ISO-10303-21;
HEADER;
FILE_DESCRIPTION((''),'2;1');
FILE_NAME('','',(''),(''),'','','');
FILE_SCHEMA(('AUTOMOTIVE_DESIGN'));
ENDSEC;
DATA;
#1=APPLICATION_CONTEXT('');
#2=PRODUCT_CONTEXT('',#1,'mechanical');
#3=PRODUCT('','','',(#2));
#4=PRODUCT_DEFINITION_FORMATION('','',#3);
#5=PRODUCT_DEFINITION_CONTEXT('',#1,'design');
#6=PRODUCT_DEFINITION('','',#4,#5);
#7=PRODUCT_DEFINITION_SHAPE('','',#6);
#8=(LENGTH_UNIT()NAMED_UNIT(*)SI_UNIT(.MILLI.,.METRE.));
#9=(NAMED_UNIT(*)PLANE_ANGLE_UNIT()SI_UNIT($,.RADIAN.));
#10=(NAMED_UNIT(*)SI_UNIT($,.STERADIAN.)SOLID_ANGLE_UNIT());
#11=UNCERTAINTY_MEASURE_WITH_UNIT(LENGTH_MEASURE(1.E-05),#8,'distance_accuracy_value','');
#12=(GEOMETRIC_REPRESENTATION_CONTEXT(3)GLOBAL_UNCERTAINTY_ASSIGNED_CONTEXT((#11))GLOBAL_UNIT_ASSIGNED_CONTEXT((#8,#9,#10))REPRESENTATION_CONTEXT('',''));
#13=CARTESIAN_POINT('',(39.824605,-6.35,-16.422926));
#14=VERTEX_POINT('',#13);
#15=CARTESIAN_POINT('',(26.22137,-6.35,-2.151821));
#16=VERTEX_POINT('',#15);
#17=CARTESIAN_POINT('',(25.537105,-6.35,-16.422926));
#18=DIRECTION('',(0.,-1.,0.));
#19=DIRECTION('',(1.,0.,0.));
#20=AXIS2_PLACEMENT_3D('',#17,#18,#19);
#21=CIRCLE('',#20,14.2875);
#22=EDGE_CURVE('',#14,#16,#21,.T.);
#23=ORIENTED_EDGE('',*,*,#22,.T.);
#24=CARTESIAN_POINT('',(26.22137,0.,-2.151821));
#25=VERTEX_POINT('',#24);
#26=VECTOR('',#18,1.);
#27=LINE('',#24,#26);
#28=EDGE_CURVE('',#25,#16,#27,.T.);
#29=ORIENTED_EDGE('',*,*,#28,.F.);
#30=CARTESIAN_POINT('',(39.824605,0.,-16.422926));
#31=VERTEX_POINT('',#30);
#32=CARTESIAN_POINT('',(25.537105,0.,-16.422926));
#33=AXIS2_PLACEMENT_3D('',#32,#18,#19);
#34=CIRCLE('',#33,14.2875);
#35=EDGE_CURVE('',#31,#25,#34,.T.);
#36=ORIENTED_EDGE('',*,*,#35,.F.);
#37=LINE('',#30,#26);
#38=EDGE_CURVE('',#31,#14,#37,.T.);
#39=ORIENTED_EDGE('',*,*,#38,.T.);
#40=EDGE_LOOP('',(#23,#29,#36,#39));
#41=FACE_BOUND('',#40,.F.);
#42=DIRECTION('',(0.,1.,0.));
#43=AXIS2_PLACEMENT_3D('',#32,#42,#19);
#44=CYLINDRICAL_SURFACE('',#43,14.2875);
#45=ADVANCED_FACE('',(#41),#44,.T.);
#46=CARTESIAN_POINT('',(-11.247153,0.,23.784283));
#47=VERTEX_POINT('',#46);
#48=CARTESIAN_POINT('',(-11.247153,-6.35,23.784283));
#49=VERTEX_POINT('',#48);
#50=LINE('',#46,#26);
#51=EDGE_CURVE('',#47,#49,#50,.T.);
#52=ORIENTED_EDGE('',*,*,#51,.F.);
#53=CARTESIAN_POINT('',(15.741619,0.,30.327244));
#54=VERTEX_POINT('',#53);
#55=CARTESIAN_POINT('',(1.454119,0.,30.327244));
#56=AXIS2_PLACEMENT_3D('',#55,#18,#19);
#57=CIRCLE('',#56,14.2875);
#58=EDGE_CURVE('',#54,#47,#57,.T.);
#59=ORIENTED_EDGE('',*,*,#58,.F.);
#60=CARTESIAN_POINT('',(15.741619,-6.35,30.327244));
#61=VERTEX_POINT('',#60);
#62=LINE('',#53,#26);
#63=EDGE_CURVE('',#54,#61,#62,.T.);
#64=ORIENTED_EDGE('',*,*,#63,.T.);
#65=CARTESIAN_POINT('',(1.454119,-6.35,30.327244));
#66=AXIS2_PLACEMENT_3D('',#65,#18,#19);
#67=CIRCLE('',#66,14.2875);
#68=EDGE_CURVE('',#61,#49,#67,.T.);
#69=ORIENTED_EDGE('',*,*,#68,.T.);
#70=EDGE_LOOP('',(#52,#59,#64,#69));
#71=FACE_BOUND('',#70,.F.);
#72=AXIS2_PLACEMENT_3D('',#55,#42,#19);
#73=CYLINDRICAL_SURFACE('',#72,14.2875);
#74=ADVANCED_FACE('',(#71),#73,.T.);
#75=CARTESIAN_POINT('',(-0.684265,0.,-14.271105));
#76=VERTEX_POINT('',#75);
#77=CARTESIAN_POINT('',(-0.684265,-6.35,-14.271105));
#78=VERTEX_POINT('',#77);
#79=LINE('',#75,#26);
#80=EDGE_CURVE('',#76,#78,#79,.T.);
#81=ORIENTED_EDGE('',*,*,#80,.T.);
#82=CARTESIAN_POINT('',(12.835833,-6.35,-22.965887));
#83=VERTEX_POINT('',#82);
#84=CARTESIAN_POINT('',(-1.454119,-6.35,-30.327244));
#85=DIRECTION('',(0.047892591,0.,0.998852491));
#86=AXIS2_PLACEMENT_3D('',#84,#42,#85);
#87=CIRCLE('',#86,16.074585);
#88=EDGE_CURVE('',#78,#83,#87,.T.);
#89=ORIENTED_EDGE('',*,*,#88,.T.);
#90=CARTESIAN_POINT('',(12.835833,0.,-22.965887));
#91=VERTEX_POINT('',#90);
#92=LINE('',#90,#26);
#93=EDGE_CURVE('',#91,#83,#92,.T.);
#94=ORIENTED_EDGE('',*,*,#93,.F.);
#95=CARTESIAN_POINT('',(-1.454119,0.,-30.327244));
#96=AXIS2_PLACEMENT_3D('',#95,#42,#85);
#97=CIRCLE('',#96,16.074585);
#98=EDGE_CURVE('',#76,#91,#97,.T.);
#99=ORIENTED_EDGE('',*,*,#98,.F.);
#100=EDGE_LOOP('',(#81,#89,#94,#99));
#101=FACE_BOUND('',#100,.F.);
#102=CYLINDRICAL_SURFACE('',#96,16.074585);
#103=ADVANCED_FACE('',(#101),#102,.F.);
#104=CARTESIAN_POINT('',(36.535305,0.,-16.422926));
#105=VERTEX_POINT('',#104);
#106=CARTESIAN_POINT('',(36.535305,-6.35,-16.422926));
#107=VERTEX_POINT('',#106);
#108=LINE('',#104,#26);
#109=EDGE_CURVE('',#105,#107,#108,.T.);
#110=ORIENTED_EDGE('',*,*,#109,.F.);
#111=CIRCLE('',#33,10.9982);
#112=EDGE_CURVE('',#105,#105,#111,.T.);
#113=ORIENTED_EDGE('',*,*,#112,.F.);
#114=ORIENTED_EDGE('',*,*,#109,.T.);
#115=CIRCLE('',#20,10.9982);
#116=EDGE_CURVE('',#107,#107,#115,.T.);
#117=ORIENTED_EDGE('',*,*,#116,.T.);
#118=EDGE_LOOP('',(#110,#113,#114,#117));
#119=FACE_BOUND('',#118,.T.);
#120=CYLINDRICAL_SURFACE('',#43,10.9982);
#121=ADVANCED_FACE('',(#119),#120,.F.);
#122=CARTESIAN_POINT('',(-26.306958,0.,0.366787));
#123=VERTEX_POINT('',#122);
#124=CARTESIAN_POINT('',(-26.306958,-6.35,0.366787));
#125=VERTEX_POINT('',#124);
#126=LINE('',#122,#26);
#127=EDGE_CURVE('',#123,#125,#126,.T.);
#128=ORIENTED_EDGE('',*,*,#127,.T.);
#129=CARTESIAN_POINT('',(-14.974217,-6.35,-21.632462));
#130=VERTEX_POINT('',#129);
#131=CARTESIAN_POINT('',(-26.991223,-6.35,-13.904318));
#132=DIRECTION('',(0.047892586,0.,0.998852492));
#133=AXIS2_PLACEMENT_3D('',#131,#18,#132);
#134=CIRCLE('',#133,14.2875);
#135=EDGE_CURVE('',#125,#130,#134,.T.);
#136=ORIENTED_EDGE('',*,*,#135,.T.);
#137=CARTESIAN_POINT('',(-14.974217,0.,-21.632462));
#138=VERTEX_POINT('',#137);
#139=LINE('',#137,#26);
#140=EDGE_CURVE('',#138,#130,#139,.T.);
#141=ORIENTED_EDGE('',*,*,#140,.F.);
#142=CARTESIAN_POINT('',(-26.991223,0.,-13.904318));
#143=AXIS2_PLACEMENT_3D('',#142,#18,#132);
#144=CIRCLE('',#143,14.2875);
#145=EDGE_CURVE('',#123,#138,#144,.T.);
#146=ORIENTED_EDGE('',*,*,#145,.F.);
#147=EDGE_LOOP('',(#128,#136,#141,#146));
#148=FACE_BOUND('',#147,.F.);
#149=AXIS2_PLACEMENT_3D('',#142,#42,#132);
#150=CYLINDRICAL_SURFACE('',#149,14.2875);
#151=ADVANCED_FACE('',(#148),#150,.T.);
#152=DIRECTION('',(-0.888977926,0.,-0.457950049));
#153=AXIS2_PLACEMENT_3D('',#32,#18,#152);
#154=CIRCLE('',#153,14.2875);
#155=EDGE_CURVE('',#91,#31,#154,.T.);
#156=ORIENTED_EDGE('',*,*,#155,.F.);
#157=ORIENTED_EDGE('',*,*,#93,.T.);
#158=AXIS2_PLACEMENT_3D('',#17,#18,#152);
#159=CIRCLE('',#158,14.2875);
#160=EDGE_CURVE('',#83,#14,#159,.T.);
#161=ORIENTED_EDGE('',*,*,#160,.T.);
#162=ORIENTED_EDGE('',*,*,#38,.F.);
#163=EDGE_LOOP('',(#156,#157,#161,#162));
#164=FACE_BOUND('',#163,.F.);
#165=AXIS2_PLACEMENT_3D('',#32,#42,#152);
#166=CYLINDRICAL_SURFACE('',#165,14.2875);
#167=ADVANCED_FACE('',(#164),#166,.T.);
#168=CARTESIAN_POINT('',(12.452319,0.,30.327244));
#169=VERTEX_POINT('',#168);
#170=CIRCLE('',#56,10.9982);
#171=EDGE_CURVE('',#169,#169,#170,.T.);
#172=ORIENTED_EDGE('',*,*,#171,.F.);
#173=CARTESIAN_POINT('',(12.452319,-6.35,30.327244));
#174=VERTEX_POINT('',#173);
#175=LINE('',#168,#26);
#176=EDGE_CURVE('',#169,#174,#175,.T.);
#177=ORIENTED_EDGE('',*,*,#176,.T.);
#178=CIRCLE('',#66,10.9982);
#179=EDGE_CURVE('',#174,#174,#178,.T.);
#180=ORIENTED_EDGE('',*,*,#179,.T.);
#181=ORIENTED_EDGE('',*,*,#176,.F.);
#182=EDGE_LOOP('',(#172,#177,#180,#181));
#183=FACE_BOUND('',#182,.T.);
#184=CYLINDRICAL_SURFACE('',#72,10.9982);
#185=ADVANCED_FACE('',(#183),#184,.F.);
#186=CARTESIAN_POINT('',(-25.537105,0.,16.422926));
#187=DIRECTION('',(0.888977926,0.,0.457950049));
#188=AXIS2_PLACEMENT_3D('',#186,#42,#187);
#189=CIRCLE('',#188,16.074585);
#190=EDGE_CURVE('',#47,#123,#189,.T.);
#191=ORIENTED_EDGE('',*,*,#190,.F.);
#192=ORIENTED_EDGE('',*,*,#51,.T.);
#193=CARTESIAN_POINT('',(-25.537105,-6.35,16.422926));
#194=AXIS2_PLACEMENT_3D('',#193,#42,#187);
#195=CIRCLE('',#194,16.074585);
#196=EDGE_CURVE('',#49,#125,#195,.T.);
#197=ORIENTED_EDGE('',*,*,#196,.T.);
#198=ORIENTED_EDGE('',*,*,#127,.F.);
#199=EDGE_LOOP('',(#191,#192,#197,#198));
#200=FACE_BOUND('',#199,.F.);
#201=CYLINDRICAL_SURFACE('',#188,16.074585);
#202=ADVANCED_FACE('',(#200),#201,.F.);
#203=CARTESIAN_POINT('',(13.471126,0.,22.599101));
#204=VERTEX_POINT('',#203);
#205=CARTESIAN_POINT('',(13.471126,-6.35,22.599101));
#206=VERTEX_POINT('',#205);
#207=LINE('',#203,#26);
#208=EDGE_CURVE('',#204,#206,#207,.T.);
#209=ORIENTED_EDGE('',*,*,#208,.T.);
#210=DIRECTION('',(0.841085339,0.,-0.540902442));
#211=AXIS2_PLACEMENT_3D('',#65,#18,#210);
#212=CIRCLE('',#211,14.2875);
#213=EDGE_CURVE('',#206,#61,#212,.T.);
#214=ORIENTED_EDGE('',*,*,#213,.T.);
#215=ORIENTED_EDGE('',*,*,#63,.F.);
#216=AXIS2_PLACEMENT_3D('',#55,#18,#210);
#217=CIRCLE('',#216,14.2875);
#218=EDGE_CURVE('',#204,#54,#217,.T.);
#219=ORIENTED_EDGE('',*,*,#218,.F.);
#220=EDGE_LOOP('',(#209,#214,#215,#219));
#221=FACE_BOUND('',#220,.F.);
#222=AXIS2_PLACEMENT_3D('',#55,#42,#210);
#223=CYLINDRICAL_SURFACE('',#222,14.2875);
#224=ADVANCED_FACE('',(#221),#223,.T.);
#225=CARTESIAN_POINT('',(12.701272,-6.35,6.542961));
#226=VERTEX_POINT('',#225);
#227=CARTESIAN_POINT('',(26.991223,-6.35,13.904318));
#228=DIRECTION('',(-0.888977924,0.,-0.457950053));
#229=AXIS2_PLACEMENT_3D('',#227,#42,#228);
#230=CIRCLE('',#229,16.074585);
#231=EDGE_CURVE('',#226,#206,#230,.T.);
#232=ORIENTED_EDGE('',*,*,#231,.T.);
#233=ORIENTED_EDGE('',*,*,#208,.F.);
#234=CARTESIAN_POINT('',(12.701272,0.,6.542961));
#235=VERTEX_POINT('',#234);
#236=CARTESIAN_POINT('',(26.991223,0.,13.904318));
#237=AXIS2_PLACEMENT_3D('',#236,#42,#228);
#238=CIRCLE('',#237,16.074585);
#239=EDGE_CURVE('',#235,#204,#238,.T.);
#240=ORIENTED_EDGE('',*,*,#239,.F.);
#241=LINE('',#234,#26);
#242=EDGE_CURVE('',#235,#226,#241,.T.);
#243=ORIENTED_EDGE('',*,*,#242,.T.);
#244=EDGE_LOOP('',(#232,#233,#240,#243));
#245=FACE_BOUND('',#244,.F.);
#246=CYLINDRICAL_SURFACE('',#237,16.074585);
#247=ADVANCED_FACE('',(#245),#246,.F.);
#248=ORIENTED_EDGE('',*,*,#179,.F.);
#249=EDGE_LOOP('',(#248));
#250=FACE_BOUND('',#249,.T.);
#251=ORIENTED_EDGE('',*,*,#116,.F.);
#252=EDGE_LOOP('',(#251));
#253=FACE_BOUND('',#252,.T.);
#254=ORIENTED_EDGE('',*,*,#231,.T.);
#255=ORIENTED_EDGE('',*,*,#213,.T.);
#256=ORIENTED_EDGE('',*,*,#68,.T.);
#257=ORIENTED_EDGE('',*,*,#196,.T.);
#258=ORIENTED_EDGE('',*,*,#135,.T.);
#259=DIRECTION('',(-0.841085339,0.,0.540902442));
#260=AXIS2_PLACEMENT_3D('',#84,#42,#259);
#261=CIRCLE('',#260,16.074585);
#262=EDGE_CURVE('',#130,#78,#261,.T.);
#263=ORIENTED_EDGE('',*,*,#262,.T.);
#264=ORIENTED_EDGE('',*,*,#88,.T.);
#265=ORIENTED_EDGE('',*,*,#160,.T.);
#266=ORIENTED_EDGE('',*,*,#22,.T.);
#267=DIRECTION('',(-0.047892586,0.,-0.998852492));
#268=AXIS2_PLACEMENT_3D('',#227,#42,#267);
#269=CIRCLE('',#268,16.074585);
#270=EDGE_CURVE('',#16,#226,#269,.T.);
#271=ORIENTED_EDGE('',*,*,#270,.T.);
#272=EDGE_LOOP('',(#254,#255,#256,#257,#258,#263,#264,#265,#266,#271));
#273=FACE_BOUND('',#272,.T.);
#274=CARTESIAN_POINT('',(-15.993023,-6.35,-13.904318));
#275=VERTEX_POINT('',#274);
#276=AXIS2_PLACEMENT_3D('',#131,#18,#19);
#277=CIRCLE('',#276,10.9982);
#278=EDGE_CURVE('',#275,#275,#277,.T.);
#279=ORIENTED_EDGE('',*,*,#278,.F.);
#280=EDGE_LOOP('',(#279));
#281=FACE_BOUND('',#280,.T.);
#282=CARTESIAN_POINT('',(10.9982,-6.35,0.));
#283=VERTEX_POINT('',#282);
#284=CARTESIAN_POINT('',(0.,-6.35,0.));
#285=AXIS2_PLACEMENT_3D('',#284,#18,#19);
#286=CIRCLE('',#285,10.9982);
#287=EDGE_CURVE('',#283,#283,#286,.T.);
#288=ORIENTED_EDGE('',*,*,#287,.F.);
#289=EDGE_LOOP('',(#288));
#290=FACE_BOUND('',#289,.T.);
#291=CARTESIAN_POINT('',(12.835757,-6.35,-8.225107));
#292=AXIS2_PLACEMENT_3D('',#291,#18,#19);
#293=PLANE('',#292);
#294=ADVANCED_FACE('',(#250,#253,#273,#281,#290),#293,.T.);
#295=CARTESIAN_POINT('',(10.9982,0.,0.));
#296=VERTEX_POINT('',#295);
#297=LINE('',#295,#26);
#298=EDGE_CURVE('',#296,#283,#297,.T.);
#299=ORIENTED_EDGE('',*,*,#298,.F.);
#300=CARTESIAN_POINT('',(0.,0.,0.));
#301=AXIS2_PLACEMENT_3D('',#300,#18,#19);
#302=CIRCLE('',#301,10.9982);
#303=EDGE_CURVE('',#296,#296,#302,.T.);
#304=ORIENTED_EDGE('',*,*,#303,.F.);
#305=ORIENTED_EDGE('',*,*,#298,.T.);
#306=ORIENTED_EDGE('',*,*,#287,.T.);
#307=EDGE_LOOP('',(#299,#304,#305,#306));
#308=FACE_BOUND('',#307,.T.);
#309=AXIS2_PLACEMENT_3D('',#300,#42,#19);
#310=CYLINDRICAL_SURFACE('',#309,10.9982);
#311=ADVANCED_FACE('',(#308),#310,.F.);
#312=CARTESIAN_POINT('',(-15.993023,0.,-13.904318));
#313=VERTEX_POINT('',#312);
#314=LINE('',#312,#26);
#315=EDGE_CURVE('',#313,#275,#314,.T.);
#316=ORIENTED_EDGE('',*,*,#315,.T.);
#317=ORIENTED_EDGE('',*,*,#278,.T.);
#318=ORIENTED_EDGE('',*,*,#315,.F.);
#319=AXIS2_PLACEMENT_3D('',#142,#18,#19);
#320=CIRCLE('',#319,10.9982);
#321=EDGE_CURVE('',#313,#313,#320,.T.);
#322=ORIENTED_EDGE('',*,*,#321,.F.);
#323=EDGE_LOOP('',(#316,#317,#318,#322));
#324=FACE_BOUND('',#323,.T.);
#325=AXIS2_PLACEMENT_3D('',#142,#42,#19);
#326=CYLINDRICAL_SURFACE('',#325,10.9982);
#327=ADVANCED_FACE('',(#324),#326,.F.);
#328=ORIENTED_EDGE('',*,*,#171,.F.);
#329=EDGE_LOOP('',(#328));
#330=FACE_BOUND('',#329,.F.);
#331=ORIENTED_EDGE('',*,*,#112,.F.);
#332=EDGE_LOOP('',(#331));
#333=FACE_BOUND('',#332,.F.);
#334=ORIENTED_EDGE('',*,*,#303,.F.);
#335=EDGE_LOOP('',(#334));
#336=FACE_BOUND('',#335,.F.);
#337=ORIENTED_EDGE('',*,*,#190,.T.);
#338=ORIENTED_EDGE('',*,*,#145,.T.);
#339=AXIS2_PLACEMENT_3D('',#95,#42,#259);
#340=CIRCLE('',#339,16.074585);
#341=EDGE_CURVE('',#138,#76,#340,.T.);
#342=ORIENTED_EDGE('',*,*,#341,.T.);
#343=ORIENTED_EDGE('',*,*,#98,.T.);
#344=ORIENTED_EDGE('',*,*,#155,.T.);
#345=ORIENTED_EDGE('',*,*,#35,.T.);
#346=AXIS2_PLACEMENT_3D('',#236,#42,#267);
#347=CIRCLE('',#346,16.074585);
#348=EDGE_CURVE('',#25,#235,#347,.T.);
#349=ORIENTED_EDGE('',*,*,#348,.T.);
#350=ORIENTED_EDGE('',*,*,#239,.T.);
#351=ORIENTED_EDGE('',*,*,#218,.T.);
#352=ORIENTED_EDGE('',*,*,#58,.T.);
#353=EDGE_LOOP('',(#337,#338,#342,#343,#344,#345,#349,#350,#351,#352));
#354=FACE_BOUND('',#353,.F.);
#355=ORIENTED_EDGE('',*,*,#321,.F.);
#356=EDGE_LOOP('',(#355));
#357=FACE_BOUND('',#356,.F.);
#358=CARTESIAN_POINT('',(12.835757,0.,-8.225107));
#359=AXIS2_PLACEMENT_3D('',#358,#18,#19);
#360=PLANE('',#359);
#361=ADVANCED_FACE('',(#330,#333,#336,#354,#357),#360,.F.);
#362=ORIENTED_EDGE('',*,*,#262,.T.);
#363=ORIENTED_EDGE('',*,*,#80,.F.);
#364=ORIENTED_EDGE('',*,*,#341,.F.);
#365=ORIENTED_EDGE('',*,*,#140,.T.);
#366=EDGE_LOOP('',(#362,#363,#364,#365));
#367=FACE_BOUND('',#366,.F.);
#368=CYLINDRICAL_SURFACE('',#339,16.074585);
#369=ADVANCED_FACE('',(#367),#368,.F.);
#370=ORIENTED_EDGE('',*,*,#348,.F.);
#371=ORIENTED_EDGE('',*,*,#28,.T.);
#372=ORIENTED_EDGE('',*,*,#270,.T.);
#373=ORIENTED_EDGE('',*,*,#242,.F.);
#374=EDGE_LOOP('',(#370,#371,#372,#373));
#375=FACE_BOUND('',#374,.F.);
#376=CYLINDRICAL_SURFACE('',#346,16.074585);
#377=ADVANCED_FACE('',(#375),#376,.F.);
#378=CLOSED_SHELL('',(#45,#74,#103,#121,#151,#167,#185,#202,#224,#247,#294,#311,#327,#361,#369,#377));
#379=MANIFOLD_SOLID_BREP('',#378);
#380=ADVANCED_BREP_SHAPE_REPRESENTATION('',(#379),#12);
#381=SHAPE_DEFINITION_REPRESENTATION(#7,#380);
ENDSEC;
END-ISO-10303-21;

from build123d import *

# Parameters (mm, degrees)
F0_R     = 10.9982
F1_DEPTH = 6.35


with BuildPart() as f1:
    # F0 (on Front) → F1 (new body)
    with BuildSketch(Plane.XZ):
        with BuildLine():
            ThreePointArc((12.7012721412, 6.542961275), (13.8852814514, 3.3662464655), (14.2875, 0))
            ThreePointArc((14.2875, 0), (9.8578957303, -10.3418831951), (-0.6842652522, -14.2711049788))
            ThreePointArc((-0.6842652522, -14.2711049788), (7.240663618, -16.8071465228), (12.8358325851, -22.965887347))
            ThreePointArc((12.8358325851, -22.965887347), (13.5200979128, -8.6947823719), (26.2213700252, -2.151821041))
            ThreePointArc((26.2213700252, -2.151821041), (18.2964411378, 0.3842204693), (12.7012721412, 6.542961275))
        make_face()
        with BuildLine():
            ThreePointArc((-14.9742166985, -21.6324620433), (-8.8154758203, -16.0372930271), (-0.6842652522, -14.2711049788))
            ThreePointArc((-0.6842652522, -14.2711049788), (-12.7012721174, -6.5429613211), (-12.0170067319, 7.7281437263))
            ThreePointArc((-12.0170067319, 7.7281437263), (-18.1757475859, 2.1329746676), (-26.3069581555, 0.366786576))
            ThreePointArc((-26.3069581555, 0.366786576), (-16.649340262, -4.0464226961), (-12.7037234832, -13.9043183991))
            ThreePointArc((-12.7037234832, -13.9043183991), (-13.283093766, -17.9317041401), (-14.9742166985, -21.6324620433))
        make_face()
        with BuildLine():
            ThreePointArc((-12.0170067319, 7.7281437263), (0.6842654078, 14.2711049713), (12.7012721412, 6.542961275))
            ThreePointArc((12.7012721412, 6.542961275), (10.9350840416, 14.6741718257), (13.4711255704, 22.5991007709))
            ThreePointArc((13.4711255704, 22.5991007709), (0.769853458, 16.0561394401), (-11.2471533267, 23.7842830843))
            ThreePointArc((-11.2471533267, 23.7842830843), (-9.4809652551, 15.6530726068), (-12.0170067319, 7.7281437263))
        make_face()
        with BuildLine():
            ThreePointArc((39.8246046975, -16.4229260161), (35.8789879186, -6.5650303131), (26.2213700252, -2.151821041))
            ThreePointArc((26.2213700252, -2.151821041), (13.5200979128, -8.6947823719), (12.8358325851, -22.965887347))
            ThreePointArc((12.8358325851, -22.965887347), (28.9033511936, -30.3082074601), (39.8246046975, -16.4229260161))
        make_face()
        with Locations((25.5371046975, -16.4229260161)):
            Circle(F0_R, mode=Mode.SUBTRACT)
        with BuildLine():
            ThreePointArc((-11.2471533267, 23.7842830843), (0.769853458, 16.0561394401), (13.4711255704, 22.5991007709))
            ThreePointArc((13.4711255704, 22.5991007709), (15.1622485029, 26.2998586742), (15.7416187857, 30.3272444152))
            ThreePointArc((15.7416187857, 30.3272444152), (-1.9121277104, 44.2125258591), (-11.2471533267, 23.7842830843))
        make_face()
        with Locations((1.4541187857, 30.3272444152)):
            Circle(F0_R, mode=Mode.SUBTRACT)
        with BuildLine():
            ThreePointArc((-0.6842652522, -14.2711049788), (9.8578957303, -10.3418831951), (14.2875, 0))
            ThreePointArc((14.2875, 0), (13.8852814514, 3.3662464655), (12.7012721412, 6.542961275))
            ThreePointArc((12.7012721412, 6.542961275), (0.6842654078, 14.2711049713), (-12.0170067319, 7.7281437263))
            ThreePointArc((-12.0170067319, 7.7281437263), (-12.7012721174, -6.5429613211), (-0.6842652522, -14.2711049788))
        make_face()
        Circle(F0_R, mode=Mode.SUBTRACT)
        with BuildLine():
            ThreePointArc((-26.3069581555, 0.366786576), (-39.6924955955, -20.44727973), (-14.9742166985, -21.6324620433))
            ThreePointArc((-14.9742166985, -21.6324620433), (-13.283093766, -17.9317041401), (-12.7037234832, -13.9043183991))
            ThreePointArc((-12.7037234832, -13.9043183991), (-16.649340262, -4.0464226961), (-26.3069581555, 0.366786576))
        make_face()
        with Locations((-26.9912234832, -13.9043183991)):
            Circle(F0_R, mode=Mode.SUBTRACT)
    extrude(amount=F1_DEPTH)


solid = f1.part
